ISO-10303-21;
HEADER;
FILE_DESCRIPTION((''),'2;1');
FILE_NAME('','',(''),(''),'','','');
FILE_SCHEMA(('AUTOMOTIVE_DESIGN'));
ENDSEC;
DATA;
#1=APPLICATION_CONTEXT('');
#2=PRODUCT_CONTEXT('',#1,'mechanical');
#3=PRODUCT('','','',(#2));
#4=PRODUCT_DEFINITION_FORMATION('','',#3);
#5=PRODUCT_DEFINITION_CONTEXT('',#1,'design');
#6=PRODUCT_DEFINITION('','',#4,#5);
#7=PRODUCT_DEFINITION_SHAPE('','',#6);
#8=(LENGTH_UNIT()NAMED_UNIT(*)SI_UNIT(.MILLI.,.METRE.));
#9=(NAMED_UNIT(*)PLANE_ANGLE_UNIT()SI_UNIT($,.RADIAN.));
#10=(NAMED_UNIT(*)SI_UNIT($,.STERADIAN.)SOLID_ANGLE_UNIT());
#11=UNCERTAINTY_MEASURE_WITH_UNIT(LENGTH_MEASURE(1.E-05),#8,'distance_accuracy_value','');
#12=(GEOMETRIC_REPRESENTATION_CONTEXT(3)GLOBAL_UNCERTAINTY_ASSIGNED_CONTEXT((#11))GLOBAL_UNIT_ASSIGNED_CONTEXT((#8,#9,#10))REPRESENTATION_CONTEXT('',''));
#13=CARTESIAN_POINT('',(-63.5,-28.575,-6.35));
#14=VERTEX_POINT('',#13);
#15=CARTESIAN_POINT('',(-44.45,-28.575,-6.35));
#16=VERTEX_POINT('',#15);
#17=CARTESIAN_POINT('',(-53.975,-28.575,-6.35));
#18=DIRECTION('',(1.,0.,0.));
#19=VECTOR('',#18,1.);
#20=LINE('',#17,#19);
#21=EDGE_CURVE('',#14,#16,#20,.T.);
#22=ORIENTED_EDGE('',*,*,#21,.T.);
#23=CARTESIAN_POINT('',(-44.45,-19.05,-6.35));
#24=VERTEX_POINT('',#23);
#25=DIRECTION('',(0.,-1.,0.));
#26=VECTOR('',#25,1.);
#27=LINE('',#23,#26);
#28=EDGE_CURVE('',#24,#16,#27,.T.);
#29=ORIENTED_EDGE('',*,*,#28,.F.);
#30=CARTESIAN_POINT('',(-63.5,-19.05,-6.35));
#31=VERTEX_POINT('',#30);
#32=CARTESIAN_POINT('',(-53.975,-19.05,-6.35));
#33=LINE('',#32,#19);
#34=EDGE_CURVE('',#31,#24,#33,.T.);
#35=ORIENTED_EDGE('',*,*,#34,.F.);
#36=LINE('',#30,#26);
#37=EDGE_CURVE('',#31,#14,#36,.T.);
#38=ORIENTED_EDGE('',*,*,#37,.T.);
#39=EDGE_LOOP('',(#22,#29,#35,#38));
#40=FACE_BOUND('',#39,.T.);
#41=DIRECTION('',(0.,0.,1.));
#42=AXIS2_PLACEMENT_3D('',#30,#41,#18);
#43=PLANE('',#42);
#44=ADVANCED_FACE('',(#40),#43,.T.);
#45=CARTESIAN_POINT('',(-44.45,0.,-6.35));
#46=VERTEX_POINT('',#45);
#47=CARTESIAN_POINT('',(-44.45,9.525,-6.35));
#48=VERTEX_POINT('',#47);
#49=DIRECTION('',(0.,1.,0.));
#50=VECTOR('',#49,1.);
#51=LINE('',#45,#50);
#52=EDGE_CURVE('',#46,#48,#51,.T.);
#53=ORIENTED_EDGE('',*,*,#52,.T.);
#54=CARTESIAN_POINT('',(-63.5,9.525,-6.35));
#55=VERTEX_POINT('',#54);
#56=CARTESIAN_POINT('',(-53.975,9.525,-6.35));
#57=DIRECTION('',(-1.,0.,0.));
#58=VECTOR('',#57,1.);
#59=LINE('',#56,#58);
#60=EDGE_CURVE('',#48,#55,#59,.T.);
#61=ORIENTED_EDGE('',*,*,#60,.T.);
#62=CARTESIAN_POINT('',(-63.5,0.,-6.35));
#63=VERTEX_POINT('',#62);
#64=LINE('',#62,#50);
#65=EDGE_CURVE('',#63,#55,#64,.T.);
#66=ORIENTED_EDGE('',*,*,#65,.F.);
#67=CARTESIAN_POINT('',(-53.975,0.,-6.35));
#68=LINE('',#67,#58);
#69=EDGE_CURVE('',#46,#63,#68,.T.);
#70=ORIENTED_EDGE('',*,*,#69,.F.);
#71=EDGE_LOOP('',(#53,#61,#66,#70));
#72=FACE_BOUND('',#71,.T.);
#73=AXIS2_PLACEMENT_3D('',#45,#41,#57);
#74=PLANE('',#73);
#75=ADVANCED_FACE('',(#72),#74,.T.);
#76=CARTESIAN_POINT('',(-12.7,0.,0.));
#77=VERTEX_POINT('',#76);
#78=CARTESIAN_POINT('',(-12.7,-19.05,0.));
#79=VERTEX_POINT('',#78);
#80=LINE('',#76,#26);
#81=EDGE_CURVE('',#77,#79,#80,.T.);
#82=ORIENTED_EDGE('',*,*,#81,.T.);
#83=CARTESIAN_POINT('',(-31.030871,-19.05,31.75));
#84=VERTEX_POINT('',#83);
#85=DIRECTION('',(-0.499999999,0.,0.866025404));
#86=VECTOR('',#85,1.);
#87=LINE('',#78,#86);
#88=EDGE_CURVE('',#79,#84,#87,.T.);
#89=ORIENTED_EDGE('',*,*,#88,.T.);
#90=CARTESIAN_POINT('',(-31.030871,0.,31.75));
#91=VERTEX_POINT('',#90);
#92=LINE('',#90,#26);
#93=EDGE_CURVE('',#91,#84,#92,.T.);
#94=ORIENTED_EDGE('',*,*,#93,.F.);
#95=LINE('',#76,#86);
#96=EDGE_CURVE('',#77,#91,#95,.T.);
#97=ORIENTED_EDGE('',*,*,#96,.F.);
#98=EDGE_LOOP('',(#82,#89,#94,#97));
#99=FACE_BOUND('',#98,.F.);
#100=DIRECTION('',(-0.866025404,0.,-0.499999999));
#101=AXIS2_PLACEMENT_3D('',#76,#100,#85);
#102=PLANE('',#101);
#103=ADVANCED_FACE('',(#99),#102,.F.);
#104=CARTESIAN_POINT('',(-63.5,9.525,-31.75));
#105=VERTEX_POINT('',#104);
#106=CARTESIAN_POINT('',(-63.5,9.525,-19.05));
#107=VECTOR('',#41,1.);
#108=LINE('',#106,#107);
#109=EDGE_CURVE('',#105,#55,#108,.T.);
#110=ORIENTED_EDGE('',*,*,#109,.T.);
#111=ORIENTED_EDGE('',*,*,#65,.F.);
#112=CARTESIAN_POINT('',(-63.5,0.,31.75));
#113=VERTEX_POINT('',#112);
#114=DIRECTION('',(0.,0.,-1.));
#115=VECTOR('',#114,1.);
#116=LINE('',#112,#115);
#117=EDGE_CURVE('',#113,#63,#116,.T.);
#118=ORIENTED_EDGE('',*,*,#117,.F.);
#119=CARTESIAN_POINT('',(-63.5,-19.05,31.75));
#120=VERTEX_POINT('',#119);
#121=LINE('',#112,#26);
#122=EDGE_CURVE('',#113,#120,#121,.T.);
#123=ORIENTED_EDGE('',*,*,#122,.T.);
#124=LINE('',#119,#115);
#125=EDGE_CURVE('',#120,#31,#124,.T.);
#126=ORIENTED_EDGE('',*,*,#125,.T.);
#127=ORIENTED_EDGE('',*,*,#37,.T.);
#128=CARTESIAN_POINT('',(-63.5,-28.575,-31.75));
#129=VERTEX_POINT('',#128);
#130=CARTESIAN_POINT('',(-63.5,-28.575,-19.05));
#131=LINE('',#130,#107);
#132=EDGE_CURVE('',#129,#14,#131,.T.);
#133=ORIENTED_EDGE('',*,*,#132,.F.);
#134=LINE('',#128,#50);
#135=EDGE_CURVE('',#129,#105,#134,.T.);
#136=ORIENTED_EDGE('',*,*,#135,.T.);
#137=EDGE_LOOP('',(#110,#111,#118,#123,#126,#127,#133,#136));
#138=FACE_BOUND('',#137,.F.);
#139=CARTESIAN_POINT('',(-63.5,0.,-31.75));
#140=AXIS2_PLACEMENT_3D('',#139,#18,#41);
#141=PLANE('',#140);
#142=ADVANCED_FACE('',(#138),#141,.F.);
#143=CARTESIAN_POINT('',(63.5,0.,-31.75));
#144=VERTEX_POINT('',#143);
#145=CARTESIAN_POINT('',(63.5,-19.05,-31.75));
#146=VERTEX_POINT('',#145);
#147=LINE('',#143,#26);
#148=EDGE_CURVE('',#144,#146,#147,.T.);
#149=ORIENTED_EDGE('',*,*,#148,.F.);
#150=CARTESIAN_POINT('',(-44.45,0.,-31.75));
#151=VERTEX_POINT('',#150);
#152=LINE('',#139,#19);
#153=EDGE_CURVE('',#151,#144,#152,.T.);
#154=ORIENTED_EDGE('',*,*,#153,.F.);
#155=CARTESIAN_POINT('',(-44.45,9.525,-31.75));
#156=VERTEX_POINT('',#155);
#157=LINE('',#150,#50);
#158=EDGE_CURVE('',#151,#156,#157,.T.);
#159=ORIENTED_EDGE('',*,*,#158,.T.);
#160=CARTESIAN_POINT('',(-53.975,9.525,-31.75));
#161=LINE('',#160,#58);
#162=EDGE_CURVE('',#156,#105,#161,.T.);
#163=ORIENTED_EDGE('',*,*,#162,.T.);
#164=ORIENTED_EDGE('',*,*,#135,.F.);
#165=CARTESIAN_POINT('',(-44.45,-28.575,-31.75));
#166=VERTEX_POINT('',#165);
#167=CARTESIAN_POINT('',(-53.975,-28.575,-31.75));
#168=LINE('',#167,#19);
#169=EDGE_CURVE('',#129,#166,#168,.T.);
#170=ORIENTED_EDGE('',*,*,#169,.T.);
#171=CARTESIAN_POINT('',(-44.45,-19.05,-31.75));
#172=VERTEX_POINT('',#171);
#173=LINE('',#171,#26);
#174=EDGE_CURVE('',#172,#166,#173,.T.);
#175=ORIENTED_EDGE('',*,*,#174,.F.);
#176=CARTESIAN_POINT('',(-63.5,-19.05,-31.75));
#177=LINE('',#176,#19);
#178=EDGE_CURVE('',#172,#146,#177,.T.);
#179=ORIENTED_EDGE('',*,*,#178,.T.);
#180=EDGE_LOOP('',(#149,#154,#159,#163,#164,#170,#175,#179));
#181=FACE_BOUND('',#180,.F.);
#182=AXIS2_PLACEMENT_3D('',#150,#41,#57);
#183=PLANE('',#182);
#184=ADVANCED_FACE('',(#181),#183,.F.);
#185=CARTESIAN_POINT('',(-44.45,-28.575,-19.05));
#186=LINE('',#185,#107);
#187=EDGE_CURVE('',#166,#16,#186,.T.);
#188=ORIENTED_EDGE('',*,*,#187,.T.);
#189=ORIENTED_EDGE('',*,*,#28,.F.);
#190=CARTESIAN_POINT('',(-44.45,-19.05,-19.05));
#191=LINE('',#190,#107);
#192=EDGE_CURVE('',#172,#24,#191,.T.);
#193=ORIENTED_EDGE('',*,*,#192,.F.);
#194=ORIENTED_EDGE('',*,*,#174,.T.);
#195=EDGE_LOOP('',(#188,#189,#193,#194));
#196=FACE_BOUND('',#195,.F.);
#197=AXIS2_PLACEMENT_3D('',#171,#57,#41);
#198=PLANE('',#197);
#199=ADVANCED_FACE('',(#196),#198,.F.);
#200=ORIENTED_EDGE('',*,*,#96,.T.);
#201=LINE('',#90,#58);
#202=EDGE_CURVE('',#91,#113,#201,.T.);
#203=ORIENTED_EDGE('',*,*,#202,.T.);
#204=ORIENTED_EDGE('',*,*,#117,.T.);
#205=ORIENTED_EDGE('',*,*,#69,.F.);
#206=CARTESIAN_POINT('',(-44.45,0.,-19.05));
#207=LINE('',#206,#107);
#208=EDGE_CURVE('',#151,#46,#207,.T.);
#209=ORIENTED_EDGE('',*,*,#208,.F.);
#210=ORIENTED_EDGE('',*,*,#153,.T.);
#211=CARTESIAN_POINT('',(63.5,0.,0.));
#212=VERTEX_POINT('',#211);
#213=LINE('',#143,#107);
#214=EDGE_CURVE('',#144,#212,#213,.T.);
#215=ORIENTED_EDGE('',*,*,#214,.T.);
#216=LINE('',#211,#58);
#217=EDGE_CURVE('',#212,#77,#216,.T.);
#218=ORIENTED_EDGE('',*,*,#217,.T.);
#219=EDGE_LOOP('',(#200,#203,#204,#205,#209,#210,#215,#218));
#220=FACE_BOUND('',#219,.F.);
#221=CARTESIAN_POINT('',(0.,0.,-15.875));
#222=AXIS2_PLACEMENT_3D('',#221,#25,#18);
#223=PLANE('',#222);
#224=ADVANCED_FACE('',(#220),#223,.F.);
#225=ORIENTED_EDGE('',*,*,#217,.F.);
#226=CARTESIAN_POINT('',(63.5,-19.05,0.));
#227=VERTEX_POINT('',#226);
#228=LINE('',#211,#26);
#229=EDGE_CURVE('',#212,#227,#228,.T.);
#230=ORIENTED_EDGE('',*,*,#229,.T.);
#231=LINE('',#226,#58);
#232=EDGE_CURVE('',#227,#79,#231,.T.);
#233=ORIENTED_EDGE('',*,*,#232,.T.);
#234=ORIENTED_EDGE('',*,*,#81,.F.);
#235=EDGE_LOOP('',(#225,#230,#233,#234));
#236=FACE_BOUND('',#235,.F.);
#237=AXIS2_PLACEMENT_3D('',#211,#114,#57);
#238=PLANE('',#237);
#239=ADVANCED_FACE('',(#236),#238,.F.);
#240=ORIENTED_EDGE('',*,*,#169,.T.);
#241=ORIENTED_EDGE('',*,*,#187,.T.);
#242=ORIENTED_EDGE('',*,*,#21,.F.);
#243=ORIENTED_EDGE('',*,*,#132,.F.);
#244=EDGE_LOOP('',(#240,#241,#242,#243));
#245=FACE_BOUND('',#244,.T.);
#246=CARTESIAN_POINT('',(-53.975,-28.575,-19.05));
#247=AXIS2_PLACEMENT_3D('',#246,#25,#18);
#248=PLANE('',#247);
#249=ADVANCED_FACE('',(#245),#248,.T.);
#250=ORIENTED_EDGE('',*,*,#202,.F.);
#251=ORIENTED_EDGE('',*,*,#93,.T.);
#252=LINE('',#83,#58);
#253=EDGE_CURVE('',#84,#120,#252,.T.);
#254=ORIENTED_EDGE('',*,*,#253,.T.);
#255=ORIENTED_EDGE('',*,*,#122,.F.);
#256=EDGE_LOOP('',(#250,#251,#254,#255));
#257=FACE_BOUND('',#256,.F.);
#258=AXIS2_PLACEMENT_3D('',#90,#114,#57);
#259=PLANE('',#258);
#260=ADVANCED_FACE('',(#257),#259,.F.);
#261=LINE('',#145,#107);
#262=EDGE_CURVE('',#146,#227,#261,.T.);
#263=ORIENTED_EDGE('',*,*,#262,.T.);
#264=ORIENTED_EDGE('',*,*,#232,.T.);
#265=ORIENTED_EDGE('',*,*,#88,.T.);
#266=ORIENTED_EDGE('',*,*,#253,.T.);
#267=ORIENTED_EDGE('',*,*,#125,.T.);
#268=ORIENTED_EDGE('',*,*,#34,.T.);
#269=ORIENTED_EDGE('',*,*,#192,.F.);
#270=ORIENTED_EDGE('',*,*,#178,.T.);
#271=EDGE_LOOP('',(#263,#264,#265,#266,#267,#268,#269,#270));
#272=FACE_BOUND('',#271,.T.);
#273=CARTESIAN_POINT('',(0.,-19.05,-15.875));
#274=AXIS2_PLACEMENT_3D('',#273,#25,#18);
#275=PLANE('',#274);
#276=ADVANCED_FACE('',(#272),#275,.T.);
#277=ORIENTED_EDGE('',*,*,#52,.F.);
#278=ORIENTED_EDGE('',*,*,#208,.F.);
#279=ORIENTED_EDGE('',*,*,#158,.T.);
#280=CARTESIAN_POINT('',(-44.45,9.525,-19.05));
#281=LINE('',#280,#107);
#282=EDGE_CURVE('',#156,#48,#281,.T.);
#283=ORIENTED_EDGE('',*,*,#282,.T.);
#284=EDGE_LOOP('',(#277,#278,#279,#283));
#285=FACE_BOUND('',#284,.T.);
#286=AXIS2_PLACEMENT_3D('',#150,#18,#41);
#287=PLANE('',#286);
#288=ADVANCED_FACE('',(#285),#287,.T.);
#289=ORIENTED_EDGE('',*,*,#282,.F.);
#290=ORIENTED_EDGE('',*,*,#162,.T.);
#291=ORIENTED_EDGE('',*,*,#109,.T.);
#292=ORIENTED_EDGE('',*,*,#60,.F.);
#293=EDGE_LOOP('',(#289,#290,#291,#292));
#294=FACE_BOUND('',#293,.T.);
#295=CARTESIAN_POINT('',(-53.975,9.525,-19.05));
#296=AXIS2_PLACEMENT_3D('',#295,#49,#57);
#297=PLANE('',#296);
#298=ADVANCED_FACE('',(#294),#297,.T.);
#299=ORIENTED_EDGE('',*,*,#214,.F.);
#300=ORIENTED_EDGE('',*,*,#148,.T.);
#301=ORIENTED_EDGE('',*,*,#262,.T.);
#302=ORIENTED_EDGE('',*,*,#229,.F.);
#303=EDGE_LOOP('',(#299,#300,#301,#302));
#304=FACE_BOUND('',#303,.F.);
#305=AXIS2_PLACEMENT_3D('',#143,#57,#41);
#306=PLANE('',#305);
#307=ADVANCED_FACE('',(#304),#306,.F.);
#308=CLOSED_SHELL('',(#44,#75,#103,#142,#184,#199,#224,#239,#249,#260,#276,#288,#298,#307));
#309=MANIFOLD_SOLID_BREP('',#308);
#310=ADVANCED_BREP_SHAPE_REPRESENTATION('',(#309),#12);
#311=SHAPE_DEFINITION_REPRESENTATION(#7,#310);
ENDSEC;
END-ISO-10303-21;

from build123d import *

# Parameters (mm, degrees)
F1_DEPTH = 19.05
F2_W     = 19.05
F2_H     = 25.4
F3_DEPTH = 9.525
F4_W     = 19.05
F4_H     = 25.4
F5_DEPTH = 9.525


with BuildPart() as f1:
    # F0 (on Front) → F1 (new body)
    with BuildSketch(Plane.XZ):
        Polygon((-12.7, 0), (-63.5, 0), (-63.5, -31.75), (63.5, -31.75), (63.5, 0), align=None)
        Polygon((-31.030871, 31.75), (-63.5, 31.75), (-63.5, 0), (-12.7, 0), align=None)
    extrude(amount=F1_DEPTH)

    # F2 (on face) → F3 (join)
    with BuildSketch(Plane.XZ.offset(19.05)):
        with Locations((-53.975, -19.05)):
            Rectangle(F2_W, F2_H)
    extrude(amount=F3_DEPTH)

    # F4 (on face) → F5 (join)
    with BuildSketch(Plane(origin=(0, 0, 0), x_dir=(-1, 0, 0), z_dir=(0, 1, 0))):
        with Locations((53.975, -19.05)):
            Rectangle(F4_W, F4_H)
    extrude(amount=F5_DEPTH)


solid = f1.part
